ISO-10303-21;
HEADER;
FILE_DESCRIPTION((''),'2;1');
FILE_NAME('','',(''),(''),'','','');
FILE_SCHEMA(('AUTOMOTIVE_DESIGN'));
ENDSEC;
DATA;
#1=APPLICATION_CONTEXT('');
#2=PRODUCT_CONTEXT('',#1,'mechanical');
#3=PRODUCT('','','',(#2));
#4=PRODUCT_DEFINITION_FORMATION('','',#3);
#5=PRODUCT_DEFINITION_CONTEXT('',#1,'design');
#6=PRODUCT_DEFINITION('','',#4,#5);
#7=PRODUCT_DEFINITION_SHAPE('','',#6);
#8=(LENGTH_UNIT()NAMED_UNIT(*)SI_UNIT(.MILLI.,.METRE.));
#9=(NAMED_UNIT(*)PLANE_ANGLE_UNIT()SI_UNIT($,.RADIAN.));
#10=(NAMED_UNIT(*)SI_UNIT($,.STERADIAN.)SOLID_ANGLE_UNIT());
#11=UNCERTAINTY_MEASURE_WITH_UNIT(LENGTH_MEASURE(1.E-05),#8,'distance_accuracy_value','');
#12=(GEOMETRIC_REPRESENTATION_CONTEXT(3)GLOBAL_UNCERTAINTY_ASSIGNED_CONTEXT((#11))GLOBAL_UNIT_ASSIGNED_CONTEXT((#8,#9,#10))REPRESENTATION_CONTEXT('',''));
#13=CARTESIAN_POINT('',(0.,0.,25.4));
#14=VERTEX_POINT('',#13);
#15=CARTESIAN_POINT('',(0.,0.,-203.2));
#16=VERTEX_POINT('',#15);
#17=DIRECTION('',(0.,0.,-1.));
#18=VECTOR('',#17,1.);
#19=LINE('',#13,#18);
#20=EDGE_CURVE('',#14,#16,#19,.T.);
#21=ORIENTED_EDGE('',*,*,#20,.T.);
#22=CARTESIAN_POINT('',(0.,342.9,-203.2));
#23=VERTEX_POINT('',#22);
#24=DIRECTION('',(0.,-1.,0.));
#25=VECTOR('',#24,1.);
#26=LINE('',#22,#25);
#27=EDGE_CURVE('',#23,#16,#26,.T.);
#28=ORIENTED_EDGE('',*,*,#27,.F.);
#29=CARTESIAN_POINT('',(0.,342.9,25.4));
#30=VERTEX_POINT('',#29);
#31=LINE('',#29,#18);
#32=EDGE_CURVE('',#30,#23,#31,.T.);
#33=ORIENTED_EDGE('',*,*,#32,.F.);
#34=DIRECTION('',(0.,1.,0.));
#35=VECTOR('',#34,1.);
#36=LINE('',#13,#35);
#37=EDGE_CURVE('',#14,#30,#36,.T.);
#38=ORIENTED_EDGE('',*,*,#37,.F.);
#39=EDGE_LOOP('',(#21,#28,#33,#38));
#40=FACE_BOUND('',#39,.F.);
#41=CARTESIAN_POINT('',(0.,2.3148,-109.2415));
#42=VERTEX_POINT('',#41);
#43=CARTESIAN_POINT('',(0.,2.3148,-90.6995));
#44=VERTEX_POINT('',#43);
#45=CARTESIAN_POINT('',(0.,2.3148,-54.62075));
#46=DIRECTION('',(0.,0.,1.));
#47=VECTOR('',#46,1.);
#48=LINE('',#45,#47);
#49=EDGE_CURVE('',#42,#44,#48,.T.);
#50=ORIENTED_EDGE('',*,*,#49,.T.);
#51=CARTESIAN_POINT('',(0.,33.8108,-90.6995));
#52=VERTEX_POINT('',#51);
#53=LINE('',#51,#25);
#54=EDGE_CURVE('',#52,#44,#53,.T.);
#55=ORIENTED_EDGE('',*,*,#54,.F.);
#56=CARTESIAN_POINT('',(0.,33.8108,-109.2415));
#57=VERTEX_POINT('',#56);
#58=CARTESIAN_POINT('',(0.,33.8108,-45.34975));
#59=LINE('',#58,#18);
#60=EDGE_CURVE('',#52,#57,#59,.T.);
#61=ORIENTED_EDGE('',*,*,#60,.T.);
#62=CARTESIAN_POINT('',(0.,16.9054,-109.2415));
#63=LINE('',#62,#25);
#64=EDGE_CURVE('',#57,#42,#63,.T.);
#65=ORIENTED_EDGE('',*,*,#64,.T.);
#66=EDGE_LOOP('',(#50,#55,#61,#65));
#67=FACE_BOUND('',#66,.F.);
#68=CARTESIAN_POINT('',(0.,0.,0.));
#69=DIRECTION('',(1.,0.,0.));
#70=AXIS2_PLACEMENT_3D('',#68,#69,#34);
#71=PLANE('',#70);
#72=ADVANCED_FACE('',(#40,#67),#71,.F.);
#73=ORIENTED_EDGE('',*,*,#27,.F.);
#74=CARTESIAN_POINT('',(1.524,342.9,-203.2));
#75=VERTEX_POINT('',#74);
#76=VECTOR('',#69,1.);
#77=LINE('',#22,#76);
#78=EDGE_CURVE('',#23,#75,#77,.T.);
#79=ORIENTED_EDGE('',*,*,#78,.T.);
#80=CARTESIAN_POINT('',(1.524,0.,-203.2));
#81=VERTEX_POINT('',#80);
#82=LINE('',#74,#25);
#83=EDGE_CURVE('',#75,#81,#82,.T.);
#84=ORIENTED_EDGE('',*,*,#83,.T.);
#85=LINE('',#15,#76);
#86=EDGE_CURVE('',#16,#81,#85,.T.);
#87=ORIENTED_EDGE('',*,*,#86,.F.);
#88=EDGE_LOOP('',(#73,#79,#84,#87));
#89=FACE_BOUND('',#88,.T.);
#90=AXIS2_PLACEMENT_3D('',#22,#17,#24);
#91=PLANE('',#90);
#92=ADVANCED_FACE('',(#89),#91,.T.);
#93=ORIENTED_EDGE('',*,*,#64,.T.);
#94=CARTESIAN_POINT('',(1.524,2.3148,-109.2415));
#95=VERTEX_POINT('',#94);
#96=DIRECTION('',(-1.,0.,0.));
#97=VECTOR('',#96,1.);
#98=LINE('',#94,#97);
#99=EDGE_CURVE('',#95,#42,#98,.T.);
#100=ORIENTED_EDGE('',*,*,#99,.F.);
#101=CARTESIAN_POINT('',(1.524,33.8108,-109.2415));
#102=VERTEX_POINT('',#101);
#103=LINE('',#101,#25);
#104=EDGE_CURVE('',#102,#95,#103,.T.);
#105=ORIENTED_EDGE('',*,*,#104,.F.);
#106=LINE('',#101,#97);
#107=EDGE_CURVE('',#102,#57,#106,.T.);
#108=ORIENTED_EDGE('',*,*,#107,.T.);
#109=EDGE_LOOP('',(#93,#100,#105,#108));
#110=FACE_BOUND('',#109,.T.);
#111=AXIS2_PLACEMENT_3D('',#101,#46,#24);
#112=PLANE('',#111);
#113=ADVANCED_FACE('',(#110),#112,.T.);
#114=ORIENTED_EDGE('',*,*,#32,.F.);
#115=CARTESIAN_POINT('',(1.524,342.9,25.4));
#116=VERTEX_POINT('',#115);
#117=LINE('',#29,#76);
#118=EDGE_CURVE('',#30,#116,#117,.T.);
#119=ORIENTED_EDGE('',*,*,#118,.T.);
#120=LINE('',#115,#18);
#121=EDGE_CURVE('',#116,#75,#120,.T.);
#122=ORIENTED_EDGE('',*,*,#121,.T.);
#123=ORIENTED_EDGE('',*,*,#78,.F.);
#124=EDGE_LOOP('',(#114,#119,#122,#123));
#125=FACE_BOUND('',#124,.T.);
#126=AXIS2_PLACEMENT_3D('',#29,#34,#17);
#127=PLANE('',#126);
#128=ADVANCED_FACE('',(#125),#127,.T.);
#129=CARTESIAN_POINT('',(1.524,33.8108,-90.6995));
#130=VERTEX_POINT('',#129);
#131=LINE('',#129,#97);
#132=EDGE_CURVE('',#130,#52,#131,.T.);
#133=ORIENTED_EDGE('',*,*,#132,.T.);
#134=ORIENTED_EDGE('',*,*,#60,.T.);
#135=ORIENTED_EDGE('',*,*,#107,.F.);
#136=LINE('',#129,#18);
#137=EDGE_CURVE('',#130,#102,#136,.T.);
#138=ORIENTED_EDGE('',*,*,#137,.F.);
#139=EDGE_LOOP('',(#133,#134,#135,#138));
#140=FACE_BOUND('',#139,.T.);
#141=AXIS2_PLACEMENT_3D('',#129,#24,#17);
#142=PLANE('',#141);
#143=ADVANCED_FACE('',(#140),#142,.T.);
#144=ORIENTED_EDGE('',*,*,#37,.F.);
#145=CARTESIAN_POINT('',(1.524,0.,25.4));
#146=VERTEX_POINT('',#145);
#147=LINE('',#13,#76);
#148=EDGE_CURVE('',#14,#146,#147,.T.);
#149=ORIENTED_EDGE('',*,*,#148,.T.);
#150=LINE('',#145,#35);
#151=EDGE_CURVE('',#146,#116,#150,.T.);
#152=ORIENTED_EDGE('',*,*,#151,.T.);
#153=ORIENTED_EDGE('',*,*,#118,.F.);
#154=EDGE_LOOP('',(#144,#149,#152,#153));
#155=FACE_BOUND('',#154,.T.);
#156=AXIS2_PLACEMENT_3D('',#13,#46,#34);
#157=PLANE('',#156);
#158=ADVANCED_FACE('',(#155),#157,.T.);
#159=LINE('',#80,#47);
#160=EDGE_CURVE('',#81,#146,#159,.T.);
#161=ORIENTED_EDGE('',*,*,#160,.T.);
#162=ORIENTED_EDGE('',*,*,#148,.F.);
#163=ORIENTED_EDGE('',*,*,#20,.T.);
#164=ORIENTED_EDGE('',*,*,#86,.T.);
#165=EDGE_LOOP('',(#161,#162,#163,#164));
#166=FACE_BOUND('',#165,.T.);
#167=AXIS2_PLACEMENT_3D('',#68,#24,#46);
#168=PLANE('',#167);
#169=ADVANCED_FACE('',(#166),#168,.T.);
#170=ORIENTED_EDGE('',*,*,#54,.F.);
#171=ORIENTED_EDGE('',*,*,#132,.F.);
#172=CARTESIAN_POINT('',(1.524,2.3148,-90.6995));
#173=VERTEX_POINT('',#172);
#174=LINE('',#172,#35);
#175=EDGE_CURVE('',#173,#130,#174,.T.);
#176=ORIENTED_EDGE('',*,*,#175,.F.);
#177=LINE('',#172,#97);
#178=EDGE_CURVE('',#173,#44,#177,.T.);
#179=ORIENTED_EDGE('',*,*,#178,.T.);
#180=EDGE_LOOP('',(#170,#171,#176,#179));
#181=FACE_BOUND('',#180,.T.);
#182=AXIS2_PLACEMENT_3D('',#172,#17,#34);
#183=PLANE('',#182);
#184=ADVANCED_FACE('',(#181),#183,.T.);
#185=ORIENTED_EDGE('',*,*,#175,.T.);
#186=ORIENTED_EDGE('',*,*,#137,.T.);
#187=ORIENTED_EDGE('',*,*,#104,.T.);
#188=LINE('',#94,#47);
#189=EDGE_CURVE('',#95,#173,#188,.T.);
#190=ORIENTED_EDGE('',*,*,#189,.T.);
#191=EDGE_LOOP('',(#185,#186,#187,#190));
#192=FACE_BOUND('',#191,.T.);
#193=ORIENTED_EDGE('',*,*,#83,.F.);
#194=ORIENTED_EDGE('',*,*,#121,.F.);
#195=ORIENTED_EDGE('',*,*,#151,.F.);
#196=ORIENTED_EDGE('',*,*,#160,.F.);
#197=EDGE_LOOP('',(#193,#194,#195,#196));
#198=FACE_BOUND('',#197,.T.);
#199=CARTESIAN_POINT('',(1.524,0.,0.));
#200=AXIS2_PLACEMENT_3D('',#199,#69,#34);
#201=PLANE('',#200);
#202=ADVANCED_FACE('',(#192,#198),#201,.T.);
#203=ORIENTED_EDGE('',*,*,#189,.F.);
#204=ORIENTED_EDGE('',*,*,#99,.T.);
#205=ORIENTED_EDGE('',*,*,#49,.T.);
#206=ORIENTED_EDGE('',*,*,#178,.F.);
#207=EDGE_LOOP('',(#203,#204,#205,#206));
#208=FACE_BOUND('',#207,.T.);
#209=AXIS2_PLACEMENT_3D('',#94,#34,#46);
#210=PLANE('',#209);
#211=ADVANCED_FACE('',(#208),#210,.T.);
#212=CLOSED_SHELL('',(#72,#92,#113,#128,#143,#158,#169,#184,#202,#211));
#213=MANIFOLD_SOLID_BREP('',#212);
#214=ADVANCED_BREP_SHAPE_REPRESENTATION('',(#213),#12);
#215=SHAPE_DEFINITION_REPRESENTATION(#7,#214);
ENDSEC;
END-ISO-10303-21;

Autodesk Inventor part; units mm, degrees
ref_plane "YZ Plane" through (0, 0, 0) normal (1, 0, 0) x (0, 1, 0)
ref_plane "XZ Plane" through (0, 0, 0) normal (0, 1, 0) x (-1, 0, 0)
ref_plane "XY Plane" through (0, 0, 0) normal (0, 0, 1) x (1, 0, 0)
sketch "Sketch1" plane through (0, 0, 0) normal (1, 0, 0) x (0, 1, 0)
  line L0 (0, 0) -> (0, -203.2)
  line L1 (0, -203.2) -> (304.8, -203.2)
  line L2 (304.8, -203.2) -> (304.8, 0)
  line L3 (304.8, 0) -> (0, 0)
  line L4 (0, 0) -> (0, -82.55)
  line L5 (0, -203.2) -> (0, -120.65)
  line L6 (0, -203.2) -> (88.9, -203.2)
  line L7 (88.9, -203.2) -> (88.9, -120.65)
  line L8 (88.9, -120.65) -> (0, -120.65)
  line L9 (0, -82.55) -> (88.9, -82.55)
  line L10 (88.9, -82.55) -> (88.9, 0)
  line L11 (88.9, 0) -> (88.9, 0)
  line L12 (88.9, 0) -> (88.9, -82.55)
  line L13 (88.9, -82.55) -> (177.8, -82.55)
  line L14 (177.8, -82.55) -> (177.8, 0)
  line L15 (88.9, -203.2) -> (88.9, -203.2)
  line L16 (88.9, -203.2) -> (88.9, -120.65)
  line L17 (177.8, -120.65) -> (177.8, -203.2)
  line L18 (88.9, -120.65) -> (177.8, -120.65)
  line L19 (177.8, -120.65) -> (266.7, -120.65)
  line L20 (266.7, -120.65) -> (266.7, -203.2)
  line L21 (177.8, -82.55) -> (266.7, -82.55)
  line L22 (266.7, -82.55) -> (266.7, 0)
  dimension "d0" = 203.2
  dimension "d1" = 304.8
  dimension "d2" = 82.55
  dimension "d3" = 82.55
  dimension "d4" = 38.1
  dimension "d5" = 88.9
  dimension "d6" = 0
  dimension "d7" = 88.9
  dimension "d8" = 88.9
  dimension "d9" = 88.9
sketch "Sketch2" plane through (0, 0, 0) normal (1, 0, 0) x (0, 1, 0)
  line L0 (0, 0) -> (0, 25.4)
  line L1 (0, 25.4) -> (342.9, 25.4)
  line L2 (342.9, 25.4) -> (342.9, -203.2)
  line L3 (342.9, -203.2) -> (0, -203.2)
  line L4 (0, -203.2) -> (0, 25.4)
  dimension "d14" = 25.4
  dimension "d15" = 342.9
  dimension "d16" = 228.6
extrude "Extrusion1" add sketch "Sketch2" along normal blind 1.524
sketch "Sketch3" plane through (1.524, 0, 0) normal (1, 0, 0) x (0, 0, -1)
  line L0 (-25.4, 342.9) -> (-25.4, 0) projected
  line L1 (-25.4, 0) -> (203.2, 0) projected
  line L2 (203.2, 0) -> (203.2, 342.9) projected
  line L3 (203.2, 342.9) -> (-25.4, 342.9) projected
  line L4 (-25.4, 0) -> (203.2, 0) projected
  line L5 (88.9, 0) -> (88.9, 18.0628)
  line L6 (88.9, 18.0628) -> (99.9705, 18.0628)
  line L7 (90.6995, 33.8108) -> (109.2415, 33.8108)
  line L8 (109.2415, 33.8108) -> (109.2415, 2.3148)
  line L9 (109.2415, 2.3148) -> (90.6995, 2.3148)
  line L10 (90.6995, 2.3148) -> (90.6995, 33.8108)
  line L11 (90.6995, 33.8108) -> (109.2415, 2.3148) construction
  line L12 (109.2415, 33.8108) -> (90.6995, 2.3148) construction
  point P0 (0, 0)
  dimension "d17" = 18.542
  dimension "d18" = 31.496
extrude "Extrusion2" cut sketch "Sketch3" against normal blind 25.4 contours L10 L7 L8 L9
properties part number "plate 1"
